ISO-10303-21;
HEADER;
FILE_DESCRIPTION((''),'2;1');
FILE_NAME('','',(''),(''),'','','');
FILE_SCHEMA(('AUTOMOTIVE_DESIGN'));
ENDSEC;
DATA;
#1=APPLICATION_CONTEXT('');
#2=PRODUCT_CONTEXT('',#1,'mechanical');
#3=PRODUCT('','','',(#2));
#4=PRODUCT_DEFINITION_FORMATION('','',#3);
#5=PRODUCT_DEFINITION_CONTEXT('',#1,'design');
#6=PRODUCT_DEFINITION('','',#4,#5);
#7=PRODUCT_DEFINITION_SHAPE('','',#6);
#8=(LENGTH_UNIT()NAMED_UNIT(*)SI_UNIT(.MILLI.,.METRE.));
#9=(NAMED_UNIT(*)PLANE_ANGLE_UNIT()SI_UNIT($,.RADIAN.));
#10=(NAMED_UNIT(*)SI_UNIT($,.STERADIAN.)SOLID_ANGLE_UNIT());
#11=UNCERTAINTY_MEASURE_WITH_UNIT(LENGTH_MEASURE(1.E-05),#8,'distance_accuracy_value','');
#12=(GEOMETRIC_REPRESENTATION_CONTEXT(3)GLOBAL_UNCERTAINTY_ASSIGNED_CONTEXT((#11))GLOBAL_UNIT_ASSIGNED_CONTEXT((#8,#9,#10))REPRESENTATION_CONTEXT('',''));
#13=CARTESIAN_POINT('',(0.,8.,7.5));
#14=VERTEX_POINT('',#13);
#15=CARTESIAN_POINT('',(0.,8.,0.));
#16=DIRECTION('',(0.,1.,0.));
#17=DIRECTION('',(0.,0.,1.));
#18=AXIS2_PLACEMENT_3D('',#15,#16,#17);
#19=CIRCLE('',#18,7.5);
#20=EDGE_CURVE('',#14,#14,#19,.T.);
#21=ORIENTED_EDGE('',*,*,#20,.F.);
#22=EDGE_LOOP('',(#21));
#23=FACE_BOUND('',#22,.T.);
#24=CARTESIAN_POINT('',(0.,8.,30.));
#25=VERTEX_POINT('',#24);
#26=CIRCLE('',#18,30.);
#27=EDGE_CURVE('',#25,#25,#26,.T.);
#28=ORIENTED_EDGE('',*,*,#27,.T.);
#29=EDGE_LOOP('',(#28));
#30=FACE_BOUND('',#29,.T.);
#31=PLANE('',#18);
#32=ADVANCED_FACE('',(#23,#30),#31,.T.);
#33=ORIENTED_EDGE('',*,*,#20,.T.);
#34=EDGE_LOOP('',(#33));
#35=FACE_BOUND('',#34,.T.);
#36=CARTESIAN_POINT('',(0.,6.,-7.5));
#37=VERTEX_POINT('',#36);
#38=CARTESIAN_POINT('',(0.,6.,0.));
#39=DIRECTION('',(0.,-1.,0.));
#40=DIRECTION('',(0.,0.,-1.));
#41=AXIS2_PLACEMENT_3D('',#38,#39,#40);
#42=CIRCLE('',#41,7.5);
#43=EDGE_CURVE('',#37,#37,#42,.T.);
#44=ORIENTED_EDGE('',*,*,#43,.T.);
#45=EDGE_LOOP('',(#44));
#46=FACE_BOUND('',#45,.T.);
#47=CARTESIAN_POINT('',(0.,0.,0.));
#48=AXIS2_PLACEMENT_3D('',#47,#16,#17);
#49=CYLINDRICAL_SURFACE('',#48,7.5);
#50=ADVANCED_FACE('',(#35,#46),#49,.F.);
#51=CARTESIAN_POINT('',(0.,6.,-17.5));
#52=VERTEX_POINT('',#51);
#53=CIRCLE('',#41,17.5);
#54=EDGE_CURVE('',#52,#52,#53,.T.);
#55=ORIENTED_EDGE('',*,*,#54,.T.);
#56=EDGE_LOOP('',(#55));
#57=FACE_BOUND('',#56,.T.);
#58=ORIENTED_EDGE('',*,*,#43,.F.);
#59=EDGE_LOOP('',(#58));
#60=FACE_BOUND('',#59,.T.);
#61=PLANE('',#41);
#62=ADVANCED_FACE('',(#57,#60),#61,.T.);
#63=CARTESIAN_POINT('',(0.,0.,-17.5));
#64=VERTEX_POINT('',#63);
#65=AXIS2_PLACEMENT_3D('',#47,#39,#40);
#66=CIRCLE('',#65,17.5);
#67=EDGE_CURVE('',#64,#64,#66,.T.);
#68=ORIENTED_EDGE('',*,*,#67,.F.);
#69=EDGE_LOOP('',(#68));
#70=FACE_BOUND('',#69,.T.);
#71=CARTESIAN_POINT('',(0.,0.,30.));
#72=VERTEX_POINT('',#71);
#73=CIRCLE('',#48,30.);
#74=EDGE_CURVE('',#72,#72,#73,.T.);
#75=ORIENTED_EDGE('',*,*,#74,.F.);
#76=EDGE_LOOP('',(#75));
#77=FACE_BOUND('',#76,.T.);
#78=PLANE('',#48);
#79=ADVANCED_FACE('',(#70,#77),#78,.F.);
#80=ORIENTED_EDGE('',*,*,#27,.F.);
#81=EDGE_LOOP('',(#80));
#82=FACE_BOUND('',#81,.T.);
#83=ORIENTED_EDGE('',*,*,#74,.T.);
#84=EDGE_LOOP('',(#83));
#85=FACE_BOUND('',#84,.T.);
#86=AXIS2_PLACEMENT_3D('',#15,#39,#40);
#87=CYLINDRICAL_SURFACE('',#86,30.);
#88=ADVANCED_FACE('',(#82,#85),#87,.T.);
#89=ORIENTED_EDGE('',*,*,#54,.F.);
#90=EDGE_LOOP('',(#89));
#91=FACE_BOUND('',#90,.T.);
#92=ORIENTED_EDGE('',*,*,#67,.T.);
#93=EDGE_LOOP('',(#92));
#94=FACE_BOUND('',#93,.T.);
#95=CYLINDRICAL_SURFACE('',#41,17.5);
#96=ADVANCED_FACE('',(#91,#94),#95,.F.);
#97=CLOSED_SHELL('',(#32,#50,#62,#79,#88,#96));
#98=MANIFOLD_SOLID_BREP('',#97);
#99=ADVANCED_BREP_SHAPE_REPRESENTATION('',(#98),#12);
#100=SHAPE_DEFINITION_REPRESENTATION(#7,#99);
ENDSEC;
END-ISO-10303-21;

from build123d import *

# Parameters (mm, degrees)
ESQUISSE1_R             = 30
BOSS_EXTRU_1_DEPTH      = 8
ESQUISSE2_R             = 17.5
ENL_V_MAT_EXTRU_1_DEPTH = 6
ESQUISSE3_R             = 7.5
ENL_V_MAT_EXTRU_2_DEPTH = 44.17406629


with BuildPart() as part:
    # Esquisse1 → Boss.-Extru.1 (new body)
    with BuildSketch(Plane(origin=(0, 0, 0), x_dir=(1, 0, 0), z_dir=(0, 1, 0))):
        with Locations(Location((0, 0, 0), (0, 0, 270))):
            Circle(ESQUISSE1_R)
    extrude(amount=BOSS_EXTRU_1_DEPTH)

    # Esquisse2 → Enlèv. mat.-Extru.1 (cut)
    with BuildSketch(Plane.XZ):
        with Locations(Location((0, 0, 0), (0, 0, 270))):
            Circle(ESQUISSE2_R)
    extrude(amount=-ENL_V_MAT_EXTRU_1_DEPTH, mode=Mode.SUBTRACT)

    # Esquisse3 → Enlèv. mat.-Extru.2 (cut, through all)
    with BuildSketch(Plane(origin=(0, 8, 0), x_dir=(1, 0, 0), z_dir=(0, 1, 0))):
        with Locations(Location((0, 0, 0), (0, 0, 270))):
            Circle(ESQUISSE3_R)
    extrude(amount=-ENL_V_MAT_EXTRU_2_DEPTH, mode=Mode.SUBTRACT)


solid = part.part
